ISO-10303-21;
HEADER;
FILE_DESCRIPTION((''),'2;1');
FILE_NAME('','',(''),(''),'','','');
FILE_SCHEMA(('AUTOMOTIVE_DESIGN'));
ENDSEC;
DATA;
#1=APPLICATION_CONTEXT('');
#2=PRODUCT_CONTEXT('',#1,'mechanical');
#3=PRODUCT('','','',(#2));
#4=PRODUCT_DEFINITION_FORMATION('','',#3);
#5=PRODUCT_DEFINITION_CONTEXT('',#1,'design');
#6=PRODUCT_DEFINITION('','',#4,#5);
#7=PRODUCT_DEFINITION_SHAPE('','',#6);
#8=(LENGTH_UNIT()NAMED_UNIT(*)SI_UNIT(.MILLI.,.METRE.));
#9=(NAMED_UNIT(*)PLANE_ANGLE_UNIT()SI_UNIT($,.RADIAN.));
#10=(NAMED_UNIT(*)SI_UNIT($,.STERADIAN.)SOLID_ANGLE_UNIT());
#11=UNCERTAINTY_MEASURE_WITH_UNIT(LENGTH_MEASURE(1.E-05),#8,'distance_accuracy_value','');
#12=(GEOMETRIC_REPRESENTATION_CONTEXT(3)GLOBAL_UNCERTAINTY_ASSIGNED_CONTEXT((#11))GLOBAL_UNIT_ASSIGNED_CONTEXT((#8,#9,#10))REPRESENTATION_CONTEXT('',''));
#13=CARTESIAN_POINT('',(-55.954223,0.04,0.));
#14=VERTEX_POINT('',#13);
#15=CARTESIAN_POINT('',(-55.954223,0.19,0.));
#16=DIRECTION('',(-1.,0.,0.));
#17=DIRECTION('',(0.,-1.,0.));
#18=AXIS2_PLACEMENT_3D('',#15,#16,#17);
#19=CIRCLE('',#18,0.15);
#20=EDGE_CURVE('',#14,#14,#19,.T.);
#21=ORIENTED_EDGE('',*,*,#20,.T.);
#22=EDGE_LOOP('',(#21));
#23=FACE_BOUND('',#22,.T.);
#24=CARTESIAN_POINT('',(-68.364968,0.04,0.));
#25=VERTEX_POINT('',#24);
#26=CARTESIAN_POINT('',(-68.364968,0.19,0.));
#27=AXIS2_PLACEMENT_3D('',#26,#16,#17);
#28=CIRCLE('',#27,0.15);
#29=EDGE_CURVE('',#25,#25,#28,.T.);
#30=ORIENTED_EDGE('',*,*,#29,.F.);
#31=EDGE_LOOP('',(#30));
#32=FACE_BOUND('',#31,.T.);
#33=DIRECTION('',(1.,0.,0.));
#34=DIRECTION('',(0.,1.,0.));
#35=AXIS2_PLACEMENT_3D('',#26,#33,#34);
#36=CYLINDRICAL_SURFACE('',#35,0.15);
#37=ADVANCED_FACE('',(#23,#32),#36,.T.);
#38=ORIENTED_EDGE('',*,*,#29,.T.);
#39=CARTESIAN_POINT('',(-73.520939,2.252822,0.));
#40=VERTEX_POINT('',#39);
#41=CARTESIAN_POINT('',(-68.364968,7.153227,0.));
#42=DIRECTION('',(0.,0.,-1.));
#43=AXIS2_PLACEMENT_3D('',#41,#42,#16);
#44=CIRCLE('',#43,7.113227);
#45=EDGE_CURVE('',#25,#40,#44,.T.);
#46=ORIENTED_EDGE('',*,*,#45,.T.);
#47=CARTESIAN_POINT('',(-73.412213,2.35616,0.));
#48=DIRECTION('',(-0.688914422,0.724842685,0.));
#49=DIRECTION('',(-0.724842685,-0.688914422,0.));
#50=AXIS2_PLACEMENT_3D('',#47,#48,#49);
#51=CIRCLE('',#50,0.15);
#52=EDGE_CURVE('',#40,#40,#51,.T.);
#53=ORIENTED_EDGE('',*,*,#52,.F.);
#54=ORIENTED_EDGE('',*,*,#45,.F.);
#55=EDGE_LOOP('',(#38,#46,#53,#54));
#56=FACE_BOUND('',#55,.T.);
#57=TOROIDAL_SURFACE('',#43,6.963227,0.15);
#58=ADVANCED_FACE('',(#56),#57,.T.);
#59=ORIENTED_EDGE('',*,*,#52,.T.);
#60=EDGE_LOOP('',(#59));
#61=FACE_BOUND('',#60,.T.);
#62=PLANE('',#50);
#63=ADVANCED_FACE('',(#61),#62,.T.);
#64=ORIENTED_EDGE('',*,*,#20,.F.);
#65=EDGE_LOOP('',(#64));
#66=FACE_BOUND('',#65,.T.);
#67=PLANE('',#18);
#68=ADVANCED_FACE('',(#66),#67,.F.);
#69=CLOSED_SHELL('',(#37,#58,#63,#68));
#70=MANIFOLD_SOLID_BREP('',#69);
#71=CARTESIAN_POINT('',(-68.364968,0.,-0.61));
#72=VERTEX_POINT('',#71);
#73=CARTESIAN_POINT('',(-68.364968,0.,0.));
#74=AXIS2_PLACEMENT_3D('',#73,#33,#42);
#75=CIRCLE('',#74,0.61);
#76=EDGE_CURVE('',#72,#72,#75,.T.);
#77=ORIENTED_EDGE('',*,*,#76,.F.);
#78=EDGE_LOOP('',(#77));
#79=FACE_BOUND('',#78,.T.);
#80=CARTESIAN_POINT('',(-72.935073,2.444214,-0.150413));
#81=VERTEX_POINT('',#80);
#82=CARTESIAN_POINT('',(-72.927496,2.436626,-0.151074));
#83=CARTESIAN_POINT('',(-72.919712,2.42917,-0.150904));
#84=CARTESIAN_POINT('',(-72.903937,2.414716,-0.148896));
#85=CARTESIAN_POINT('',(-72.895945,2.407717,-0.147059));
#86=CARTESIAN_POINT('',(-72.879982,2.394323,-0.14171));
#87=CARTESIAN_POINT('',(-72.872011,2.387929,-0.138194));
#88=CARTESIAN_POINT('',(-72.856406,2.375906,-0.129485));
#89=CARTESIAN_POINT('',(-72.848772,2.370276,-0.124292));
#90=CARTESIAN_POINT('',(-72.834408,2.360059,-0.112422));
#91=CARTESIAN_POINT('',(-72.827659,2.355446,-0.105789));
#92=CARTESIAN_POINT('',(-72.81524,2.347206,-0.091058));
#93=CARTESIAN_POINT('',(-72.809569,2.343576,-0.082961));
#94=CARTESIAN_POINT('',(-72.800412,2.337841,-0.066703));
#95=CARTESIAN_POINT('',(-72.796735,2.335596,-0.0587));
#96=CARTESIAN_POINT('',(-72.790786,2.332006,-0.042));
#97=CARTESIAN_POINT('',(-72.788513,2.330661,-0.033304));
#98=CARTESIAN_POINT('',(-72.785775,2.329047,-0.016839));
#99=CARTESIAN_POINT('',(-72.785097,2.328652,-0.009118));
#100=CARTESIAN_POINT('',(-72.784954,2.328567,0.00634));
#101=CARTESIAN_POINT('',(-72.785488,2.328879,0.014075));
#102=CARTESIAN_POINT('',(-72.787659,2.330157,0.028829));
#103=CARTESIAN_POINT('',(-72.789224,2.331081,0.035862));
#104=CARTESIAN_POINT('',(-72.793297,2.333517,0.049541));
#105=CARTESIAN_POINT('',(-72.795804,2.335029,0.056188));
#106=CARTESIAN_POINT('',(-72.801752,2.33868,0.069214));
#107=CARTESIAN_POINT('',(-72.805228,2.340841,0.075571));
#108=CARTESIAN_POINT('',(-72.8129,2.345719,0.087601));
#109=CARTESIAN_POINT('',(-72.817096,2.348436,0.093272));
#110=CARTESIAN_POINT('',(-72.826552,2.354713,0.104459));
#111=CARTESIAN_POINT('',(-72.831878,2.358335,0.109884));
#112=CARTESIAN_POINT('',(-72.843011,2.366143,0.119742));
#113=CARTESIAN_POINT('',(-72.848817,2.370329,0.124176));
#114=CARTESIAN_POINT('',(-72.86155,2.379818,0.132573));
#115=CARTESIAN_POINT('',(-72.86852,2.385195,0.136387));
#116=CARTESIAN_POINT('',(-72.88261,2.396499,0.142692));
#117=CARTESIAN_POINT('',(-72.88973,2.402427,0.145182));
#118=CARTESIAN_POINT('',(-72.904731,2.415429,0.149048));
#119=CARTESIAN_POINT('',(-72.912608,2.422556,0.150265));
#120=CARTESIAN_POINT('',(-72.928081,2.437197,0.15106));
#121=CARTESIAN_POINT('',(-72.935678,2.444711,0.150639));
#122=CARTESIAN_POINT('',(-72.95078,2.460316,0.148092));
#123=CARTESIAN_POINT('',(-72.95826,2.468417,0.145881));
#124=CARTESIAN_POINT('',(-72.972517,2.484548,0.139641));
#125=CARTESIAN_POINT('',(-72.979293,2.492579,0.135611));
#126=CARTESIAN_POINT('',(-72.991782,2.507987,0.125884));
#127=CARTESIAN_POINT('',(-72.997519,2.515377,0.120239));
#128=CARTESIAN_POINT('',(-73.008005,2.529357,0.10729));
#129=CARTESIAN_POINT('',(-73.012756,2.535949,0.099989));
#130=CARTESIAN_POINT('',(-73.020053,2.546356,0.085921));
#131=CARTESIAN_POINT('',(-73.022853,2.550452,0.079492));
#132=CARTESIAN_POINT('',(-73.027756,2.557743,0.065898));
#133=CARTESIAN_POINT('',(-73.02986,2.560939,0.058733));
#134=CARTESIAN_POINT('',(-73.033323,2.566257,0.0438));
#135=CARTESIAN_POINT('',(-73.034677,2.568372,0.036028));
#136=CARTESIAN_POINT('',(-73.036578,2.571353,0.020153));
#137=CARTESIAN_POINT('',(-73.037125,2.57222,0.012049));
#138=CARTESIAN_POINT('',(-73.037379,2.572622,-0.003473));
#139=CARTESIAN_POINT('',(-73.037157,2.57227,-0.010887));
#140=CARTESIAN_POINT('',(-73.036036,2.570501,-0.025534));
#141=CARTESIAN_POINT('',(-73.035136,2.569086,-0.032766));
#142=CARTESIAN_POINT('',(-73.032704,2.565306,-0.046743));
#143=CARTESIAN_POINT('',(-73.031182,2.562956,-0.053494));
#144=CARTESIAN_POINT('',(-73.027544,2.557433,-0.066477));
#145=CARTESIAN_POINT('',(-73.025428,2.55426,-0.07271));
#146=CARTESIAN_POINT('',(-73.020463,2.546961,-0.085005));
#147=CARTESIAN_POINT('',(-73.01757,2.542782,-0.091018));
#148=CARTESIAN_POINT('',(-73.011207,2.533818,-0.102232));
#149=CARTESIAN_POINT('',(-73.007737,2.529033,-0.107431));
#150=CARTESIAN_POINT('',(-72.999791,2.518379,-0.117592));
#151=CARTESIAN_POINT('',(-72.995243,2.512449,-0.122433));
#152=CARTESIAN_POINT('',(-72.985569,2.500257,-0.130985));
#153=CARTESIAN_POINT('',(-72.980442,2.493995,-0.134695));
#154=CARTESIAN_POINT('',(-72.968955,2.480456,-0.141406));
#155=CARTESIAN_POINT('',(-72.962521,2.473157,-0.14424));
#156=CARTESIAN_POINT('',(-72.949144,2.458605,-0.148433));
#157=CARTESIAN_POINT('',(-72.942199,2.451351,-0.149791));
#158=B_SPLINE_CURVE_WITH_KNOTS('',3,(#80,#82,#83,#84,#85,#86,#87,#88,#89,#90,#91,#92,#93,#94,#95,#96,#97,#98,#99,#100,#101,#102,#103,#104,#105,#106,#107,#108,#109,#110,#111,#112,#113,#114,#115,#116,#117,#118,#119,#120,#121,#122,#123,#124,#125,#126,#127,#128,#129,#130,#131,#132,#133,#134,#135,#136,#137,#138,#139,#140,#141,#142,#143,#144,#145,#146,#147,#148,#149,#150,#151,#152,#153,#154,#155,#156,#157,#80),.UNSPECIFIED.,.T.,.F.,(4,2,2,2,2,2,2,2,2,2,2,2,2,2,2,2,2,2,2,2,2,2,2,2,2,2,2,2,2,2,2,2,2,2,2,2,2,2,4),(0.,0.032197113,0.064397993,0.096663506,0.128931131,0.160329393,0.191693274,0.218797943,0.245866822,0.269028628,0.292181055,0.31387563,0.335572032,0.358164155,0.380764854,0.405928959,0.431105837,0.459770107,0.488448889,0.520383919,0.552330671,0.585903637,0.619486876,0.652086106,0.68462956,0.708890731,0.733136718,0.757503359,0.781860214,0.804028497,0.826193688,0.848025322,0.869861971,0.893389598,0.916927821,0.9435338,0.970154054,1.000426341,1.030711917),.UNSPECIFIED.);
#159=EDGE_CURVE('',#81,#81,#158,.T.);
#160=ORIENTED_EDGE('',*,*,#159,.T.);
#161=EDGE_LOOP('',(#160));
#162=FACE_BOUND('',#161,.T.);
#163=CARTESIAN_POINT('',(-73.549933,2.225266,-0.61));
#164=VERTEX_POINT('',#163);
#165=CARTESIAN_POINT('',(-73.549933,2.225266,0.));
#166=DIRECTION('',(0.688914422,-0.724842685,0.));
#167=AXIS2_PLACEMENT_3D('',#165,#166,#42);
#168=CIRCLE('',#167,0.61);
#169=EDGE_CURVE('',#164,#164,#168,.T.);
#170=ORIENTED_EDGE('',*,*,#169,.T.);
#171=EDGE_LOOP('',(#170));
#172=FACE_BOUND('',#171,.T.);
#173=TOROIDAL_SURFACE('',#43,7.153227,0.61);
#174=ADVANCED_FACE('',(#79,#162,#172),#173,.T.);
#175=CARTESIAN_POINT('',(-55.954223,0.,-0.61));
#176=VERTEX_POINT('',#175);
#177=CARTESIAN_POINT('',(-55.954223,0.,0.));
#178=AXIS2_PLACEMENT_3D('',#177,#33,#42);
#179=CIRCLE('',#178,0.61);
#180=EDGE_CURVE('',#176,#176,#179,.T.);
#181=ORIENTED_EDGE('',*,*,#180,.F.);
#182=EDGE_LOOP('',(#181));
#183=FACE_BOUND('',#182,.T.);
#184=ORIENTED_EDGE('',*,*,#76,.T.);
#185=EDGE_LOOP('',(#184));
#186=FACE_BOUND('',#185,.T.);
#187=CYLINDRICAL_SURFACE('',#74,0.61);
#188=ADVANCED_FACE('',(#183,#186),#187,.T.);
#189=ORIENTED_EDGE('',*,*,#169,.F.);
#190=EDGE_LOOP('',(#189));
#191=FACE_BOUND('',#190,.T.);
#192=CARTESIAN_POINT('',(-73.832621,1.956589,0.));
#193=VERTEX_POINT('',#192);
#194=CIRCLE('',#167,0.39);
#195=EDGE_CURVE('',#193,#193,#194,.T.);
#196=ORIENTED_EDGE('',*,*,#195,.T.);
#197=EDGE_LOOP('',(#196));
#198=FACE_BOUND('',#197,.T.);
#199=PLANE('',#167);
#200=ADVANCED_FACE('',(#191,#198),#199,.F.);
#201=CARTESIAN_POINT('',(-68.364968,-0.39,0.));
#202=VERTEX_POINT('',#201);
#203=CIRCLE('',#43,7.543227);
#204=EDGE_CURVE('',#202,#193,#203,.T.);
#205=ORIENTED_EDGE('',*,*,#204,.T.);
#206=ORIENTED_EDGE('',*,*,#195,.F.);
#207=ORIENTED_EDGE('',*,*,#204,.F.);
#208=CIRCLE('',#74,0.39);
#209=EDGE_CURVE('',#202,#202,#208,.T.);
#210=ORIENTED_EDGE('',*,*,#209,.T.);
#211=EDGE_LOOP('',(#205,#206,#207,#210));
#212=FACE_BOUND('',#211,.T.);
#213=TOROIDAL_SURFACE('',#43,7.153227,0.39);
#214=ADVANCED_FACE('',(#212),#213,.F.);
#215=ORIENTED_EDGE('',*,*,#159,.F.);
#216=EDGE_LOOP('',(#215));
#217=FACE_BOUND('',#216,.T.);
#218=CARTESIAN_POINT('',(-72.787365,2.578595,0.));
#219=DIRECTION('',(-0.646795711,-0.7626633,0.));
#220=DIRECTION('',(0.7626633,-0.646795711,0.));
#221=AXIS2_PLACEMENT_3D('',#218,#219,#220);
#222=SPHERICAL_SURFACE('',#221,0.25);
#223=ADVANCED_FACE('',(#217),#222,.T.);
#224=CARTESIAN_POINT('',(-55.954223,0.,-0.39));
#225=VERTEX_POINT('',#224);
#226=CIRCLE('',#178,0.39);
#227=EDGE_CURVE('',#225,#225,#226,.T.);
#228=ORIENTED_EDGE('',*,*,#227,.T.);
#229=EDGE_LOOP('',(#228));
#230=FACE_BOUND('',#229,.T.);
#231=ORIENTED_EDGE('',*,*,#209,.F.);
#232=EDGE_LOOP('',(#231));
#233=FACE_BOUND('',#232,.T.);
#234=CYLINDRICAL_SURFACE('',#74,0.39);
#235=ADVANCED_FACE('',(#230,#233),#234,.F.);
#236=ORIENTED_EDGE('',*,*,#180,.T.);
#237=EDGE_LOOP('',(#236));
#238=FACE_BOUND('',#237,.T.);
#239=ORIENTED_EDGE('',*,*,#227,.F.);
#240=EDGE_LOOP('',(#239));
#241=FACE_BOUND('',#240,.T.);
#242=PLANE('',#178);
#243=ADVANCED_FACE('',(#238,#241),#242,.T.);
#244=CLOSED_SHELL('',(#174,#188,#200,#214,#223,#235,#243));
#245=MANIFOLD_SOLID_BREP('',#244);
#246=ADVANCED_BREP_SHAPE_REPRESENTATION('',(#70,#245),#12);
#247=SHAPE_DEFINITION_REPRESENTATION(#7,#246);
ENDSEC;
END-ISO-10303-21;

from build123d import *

# Parameters (mm, degrees)
SKETCH5_R           = 0.61
SKETCH5_R_2         = 0.39
SKETCH5_2_R         = 0.61
SKETCH5_2_R_2       = 0.39
BOSS_EXTRUDE2_DEPTH = 10
SKETCH8_R           = 0.15


with BuildPart() as part:
    # Sweep2: sweep along a path in Sketch4
    with BuildLine(Plane.XY) as sweep2_path:
        Line((-65.954222951, 0), (-68.364968213, 0))
        ThreePointArc((-68.364968213, 0), (-71.186123393, 0.579815367), (-73.549932813, 2.225265895))
    # Sketch5 → Sweep2 (sweep)
    with BuildSketch(Plane(origin=(-65.954222951, 0, 0), x_dir=(0, 0, -1), z_dir=(1, 0, 0))):
        Circle(SKETCH5_R)
        Circle(SKETCH5_R_2, mode=Mode.SUBTRACT)
    sweep(path=sweep2_path.line)

    # Sketch5<2> → Boss-Extrude2 (add)
    with BuildSketch(Plane(origin=(-65.954222951, 0, 0), x_dir=(0, 0, -1), z_dir=(1, 0, 0))):
        Circle(SKETCH5_2_R)
        Circle(SKETCH5_2_R_2, mode=Mode.SUBTRACT)
    extrude(amount=BOSS_EXTRUDE2_DEPTH)

    # Sketch6 → Revolve2 (revolve)
    with BuildSketch(Plane.XY):
        with BuildLine():
            Line((-72.949063517, 2.38792888), (-72.625665662, 2.76926053))
            ThreePointArc((-72.625665662, 2.76926053), (-72.596698765, 2.416895777), (-72.949063517, 2.38792888))
        make_face()
    revolve(axis=Axis((-72.949063517, 2.38792888, 0), (0.6467957105420484, 0.7626632997754689, 0)))


with BuildPart() as body_2:
    # Sweep3: sweep along a path in Sketch7
    with BuildLine(Plane.XY) as sweep3_path:
        Line((-55.954222951, 0.19), (-68.364968213, 0.19))
        ThreePointArc((-68.364968213, 0.19), (-71.111189458, 0.754414638), (-73.412212703, 2.356159635))
    # Sketch8 → Sweep3 (sweep)
    with BuildSketch(Plane(origin=(-36.018221468, 37.89664365, 0), x_dir=(0.7248426853938525, 0.688914422429251, 0), z_dir=(-0.688914422429251, 0.7248426853938525, 0))):
        with Locations((-51.589113042, 0)):
            Circle(SKETCH8_R)
    sweep(path=sweep3_path.line)


solid = Compound([part.part, body_2.part])
